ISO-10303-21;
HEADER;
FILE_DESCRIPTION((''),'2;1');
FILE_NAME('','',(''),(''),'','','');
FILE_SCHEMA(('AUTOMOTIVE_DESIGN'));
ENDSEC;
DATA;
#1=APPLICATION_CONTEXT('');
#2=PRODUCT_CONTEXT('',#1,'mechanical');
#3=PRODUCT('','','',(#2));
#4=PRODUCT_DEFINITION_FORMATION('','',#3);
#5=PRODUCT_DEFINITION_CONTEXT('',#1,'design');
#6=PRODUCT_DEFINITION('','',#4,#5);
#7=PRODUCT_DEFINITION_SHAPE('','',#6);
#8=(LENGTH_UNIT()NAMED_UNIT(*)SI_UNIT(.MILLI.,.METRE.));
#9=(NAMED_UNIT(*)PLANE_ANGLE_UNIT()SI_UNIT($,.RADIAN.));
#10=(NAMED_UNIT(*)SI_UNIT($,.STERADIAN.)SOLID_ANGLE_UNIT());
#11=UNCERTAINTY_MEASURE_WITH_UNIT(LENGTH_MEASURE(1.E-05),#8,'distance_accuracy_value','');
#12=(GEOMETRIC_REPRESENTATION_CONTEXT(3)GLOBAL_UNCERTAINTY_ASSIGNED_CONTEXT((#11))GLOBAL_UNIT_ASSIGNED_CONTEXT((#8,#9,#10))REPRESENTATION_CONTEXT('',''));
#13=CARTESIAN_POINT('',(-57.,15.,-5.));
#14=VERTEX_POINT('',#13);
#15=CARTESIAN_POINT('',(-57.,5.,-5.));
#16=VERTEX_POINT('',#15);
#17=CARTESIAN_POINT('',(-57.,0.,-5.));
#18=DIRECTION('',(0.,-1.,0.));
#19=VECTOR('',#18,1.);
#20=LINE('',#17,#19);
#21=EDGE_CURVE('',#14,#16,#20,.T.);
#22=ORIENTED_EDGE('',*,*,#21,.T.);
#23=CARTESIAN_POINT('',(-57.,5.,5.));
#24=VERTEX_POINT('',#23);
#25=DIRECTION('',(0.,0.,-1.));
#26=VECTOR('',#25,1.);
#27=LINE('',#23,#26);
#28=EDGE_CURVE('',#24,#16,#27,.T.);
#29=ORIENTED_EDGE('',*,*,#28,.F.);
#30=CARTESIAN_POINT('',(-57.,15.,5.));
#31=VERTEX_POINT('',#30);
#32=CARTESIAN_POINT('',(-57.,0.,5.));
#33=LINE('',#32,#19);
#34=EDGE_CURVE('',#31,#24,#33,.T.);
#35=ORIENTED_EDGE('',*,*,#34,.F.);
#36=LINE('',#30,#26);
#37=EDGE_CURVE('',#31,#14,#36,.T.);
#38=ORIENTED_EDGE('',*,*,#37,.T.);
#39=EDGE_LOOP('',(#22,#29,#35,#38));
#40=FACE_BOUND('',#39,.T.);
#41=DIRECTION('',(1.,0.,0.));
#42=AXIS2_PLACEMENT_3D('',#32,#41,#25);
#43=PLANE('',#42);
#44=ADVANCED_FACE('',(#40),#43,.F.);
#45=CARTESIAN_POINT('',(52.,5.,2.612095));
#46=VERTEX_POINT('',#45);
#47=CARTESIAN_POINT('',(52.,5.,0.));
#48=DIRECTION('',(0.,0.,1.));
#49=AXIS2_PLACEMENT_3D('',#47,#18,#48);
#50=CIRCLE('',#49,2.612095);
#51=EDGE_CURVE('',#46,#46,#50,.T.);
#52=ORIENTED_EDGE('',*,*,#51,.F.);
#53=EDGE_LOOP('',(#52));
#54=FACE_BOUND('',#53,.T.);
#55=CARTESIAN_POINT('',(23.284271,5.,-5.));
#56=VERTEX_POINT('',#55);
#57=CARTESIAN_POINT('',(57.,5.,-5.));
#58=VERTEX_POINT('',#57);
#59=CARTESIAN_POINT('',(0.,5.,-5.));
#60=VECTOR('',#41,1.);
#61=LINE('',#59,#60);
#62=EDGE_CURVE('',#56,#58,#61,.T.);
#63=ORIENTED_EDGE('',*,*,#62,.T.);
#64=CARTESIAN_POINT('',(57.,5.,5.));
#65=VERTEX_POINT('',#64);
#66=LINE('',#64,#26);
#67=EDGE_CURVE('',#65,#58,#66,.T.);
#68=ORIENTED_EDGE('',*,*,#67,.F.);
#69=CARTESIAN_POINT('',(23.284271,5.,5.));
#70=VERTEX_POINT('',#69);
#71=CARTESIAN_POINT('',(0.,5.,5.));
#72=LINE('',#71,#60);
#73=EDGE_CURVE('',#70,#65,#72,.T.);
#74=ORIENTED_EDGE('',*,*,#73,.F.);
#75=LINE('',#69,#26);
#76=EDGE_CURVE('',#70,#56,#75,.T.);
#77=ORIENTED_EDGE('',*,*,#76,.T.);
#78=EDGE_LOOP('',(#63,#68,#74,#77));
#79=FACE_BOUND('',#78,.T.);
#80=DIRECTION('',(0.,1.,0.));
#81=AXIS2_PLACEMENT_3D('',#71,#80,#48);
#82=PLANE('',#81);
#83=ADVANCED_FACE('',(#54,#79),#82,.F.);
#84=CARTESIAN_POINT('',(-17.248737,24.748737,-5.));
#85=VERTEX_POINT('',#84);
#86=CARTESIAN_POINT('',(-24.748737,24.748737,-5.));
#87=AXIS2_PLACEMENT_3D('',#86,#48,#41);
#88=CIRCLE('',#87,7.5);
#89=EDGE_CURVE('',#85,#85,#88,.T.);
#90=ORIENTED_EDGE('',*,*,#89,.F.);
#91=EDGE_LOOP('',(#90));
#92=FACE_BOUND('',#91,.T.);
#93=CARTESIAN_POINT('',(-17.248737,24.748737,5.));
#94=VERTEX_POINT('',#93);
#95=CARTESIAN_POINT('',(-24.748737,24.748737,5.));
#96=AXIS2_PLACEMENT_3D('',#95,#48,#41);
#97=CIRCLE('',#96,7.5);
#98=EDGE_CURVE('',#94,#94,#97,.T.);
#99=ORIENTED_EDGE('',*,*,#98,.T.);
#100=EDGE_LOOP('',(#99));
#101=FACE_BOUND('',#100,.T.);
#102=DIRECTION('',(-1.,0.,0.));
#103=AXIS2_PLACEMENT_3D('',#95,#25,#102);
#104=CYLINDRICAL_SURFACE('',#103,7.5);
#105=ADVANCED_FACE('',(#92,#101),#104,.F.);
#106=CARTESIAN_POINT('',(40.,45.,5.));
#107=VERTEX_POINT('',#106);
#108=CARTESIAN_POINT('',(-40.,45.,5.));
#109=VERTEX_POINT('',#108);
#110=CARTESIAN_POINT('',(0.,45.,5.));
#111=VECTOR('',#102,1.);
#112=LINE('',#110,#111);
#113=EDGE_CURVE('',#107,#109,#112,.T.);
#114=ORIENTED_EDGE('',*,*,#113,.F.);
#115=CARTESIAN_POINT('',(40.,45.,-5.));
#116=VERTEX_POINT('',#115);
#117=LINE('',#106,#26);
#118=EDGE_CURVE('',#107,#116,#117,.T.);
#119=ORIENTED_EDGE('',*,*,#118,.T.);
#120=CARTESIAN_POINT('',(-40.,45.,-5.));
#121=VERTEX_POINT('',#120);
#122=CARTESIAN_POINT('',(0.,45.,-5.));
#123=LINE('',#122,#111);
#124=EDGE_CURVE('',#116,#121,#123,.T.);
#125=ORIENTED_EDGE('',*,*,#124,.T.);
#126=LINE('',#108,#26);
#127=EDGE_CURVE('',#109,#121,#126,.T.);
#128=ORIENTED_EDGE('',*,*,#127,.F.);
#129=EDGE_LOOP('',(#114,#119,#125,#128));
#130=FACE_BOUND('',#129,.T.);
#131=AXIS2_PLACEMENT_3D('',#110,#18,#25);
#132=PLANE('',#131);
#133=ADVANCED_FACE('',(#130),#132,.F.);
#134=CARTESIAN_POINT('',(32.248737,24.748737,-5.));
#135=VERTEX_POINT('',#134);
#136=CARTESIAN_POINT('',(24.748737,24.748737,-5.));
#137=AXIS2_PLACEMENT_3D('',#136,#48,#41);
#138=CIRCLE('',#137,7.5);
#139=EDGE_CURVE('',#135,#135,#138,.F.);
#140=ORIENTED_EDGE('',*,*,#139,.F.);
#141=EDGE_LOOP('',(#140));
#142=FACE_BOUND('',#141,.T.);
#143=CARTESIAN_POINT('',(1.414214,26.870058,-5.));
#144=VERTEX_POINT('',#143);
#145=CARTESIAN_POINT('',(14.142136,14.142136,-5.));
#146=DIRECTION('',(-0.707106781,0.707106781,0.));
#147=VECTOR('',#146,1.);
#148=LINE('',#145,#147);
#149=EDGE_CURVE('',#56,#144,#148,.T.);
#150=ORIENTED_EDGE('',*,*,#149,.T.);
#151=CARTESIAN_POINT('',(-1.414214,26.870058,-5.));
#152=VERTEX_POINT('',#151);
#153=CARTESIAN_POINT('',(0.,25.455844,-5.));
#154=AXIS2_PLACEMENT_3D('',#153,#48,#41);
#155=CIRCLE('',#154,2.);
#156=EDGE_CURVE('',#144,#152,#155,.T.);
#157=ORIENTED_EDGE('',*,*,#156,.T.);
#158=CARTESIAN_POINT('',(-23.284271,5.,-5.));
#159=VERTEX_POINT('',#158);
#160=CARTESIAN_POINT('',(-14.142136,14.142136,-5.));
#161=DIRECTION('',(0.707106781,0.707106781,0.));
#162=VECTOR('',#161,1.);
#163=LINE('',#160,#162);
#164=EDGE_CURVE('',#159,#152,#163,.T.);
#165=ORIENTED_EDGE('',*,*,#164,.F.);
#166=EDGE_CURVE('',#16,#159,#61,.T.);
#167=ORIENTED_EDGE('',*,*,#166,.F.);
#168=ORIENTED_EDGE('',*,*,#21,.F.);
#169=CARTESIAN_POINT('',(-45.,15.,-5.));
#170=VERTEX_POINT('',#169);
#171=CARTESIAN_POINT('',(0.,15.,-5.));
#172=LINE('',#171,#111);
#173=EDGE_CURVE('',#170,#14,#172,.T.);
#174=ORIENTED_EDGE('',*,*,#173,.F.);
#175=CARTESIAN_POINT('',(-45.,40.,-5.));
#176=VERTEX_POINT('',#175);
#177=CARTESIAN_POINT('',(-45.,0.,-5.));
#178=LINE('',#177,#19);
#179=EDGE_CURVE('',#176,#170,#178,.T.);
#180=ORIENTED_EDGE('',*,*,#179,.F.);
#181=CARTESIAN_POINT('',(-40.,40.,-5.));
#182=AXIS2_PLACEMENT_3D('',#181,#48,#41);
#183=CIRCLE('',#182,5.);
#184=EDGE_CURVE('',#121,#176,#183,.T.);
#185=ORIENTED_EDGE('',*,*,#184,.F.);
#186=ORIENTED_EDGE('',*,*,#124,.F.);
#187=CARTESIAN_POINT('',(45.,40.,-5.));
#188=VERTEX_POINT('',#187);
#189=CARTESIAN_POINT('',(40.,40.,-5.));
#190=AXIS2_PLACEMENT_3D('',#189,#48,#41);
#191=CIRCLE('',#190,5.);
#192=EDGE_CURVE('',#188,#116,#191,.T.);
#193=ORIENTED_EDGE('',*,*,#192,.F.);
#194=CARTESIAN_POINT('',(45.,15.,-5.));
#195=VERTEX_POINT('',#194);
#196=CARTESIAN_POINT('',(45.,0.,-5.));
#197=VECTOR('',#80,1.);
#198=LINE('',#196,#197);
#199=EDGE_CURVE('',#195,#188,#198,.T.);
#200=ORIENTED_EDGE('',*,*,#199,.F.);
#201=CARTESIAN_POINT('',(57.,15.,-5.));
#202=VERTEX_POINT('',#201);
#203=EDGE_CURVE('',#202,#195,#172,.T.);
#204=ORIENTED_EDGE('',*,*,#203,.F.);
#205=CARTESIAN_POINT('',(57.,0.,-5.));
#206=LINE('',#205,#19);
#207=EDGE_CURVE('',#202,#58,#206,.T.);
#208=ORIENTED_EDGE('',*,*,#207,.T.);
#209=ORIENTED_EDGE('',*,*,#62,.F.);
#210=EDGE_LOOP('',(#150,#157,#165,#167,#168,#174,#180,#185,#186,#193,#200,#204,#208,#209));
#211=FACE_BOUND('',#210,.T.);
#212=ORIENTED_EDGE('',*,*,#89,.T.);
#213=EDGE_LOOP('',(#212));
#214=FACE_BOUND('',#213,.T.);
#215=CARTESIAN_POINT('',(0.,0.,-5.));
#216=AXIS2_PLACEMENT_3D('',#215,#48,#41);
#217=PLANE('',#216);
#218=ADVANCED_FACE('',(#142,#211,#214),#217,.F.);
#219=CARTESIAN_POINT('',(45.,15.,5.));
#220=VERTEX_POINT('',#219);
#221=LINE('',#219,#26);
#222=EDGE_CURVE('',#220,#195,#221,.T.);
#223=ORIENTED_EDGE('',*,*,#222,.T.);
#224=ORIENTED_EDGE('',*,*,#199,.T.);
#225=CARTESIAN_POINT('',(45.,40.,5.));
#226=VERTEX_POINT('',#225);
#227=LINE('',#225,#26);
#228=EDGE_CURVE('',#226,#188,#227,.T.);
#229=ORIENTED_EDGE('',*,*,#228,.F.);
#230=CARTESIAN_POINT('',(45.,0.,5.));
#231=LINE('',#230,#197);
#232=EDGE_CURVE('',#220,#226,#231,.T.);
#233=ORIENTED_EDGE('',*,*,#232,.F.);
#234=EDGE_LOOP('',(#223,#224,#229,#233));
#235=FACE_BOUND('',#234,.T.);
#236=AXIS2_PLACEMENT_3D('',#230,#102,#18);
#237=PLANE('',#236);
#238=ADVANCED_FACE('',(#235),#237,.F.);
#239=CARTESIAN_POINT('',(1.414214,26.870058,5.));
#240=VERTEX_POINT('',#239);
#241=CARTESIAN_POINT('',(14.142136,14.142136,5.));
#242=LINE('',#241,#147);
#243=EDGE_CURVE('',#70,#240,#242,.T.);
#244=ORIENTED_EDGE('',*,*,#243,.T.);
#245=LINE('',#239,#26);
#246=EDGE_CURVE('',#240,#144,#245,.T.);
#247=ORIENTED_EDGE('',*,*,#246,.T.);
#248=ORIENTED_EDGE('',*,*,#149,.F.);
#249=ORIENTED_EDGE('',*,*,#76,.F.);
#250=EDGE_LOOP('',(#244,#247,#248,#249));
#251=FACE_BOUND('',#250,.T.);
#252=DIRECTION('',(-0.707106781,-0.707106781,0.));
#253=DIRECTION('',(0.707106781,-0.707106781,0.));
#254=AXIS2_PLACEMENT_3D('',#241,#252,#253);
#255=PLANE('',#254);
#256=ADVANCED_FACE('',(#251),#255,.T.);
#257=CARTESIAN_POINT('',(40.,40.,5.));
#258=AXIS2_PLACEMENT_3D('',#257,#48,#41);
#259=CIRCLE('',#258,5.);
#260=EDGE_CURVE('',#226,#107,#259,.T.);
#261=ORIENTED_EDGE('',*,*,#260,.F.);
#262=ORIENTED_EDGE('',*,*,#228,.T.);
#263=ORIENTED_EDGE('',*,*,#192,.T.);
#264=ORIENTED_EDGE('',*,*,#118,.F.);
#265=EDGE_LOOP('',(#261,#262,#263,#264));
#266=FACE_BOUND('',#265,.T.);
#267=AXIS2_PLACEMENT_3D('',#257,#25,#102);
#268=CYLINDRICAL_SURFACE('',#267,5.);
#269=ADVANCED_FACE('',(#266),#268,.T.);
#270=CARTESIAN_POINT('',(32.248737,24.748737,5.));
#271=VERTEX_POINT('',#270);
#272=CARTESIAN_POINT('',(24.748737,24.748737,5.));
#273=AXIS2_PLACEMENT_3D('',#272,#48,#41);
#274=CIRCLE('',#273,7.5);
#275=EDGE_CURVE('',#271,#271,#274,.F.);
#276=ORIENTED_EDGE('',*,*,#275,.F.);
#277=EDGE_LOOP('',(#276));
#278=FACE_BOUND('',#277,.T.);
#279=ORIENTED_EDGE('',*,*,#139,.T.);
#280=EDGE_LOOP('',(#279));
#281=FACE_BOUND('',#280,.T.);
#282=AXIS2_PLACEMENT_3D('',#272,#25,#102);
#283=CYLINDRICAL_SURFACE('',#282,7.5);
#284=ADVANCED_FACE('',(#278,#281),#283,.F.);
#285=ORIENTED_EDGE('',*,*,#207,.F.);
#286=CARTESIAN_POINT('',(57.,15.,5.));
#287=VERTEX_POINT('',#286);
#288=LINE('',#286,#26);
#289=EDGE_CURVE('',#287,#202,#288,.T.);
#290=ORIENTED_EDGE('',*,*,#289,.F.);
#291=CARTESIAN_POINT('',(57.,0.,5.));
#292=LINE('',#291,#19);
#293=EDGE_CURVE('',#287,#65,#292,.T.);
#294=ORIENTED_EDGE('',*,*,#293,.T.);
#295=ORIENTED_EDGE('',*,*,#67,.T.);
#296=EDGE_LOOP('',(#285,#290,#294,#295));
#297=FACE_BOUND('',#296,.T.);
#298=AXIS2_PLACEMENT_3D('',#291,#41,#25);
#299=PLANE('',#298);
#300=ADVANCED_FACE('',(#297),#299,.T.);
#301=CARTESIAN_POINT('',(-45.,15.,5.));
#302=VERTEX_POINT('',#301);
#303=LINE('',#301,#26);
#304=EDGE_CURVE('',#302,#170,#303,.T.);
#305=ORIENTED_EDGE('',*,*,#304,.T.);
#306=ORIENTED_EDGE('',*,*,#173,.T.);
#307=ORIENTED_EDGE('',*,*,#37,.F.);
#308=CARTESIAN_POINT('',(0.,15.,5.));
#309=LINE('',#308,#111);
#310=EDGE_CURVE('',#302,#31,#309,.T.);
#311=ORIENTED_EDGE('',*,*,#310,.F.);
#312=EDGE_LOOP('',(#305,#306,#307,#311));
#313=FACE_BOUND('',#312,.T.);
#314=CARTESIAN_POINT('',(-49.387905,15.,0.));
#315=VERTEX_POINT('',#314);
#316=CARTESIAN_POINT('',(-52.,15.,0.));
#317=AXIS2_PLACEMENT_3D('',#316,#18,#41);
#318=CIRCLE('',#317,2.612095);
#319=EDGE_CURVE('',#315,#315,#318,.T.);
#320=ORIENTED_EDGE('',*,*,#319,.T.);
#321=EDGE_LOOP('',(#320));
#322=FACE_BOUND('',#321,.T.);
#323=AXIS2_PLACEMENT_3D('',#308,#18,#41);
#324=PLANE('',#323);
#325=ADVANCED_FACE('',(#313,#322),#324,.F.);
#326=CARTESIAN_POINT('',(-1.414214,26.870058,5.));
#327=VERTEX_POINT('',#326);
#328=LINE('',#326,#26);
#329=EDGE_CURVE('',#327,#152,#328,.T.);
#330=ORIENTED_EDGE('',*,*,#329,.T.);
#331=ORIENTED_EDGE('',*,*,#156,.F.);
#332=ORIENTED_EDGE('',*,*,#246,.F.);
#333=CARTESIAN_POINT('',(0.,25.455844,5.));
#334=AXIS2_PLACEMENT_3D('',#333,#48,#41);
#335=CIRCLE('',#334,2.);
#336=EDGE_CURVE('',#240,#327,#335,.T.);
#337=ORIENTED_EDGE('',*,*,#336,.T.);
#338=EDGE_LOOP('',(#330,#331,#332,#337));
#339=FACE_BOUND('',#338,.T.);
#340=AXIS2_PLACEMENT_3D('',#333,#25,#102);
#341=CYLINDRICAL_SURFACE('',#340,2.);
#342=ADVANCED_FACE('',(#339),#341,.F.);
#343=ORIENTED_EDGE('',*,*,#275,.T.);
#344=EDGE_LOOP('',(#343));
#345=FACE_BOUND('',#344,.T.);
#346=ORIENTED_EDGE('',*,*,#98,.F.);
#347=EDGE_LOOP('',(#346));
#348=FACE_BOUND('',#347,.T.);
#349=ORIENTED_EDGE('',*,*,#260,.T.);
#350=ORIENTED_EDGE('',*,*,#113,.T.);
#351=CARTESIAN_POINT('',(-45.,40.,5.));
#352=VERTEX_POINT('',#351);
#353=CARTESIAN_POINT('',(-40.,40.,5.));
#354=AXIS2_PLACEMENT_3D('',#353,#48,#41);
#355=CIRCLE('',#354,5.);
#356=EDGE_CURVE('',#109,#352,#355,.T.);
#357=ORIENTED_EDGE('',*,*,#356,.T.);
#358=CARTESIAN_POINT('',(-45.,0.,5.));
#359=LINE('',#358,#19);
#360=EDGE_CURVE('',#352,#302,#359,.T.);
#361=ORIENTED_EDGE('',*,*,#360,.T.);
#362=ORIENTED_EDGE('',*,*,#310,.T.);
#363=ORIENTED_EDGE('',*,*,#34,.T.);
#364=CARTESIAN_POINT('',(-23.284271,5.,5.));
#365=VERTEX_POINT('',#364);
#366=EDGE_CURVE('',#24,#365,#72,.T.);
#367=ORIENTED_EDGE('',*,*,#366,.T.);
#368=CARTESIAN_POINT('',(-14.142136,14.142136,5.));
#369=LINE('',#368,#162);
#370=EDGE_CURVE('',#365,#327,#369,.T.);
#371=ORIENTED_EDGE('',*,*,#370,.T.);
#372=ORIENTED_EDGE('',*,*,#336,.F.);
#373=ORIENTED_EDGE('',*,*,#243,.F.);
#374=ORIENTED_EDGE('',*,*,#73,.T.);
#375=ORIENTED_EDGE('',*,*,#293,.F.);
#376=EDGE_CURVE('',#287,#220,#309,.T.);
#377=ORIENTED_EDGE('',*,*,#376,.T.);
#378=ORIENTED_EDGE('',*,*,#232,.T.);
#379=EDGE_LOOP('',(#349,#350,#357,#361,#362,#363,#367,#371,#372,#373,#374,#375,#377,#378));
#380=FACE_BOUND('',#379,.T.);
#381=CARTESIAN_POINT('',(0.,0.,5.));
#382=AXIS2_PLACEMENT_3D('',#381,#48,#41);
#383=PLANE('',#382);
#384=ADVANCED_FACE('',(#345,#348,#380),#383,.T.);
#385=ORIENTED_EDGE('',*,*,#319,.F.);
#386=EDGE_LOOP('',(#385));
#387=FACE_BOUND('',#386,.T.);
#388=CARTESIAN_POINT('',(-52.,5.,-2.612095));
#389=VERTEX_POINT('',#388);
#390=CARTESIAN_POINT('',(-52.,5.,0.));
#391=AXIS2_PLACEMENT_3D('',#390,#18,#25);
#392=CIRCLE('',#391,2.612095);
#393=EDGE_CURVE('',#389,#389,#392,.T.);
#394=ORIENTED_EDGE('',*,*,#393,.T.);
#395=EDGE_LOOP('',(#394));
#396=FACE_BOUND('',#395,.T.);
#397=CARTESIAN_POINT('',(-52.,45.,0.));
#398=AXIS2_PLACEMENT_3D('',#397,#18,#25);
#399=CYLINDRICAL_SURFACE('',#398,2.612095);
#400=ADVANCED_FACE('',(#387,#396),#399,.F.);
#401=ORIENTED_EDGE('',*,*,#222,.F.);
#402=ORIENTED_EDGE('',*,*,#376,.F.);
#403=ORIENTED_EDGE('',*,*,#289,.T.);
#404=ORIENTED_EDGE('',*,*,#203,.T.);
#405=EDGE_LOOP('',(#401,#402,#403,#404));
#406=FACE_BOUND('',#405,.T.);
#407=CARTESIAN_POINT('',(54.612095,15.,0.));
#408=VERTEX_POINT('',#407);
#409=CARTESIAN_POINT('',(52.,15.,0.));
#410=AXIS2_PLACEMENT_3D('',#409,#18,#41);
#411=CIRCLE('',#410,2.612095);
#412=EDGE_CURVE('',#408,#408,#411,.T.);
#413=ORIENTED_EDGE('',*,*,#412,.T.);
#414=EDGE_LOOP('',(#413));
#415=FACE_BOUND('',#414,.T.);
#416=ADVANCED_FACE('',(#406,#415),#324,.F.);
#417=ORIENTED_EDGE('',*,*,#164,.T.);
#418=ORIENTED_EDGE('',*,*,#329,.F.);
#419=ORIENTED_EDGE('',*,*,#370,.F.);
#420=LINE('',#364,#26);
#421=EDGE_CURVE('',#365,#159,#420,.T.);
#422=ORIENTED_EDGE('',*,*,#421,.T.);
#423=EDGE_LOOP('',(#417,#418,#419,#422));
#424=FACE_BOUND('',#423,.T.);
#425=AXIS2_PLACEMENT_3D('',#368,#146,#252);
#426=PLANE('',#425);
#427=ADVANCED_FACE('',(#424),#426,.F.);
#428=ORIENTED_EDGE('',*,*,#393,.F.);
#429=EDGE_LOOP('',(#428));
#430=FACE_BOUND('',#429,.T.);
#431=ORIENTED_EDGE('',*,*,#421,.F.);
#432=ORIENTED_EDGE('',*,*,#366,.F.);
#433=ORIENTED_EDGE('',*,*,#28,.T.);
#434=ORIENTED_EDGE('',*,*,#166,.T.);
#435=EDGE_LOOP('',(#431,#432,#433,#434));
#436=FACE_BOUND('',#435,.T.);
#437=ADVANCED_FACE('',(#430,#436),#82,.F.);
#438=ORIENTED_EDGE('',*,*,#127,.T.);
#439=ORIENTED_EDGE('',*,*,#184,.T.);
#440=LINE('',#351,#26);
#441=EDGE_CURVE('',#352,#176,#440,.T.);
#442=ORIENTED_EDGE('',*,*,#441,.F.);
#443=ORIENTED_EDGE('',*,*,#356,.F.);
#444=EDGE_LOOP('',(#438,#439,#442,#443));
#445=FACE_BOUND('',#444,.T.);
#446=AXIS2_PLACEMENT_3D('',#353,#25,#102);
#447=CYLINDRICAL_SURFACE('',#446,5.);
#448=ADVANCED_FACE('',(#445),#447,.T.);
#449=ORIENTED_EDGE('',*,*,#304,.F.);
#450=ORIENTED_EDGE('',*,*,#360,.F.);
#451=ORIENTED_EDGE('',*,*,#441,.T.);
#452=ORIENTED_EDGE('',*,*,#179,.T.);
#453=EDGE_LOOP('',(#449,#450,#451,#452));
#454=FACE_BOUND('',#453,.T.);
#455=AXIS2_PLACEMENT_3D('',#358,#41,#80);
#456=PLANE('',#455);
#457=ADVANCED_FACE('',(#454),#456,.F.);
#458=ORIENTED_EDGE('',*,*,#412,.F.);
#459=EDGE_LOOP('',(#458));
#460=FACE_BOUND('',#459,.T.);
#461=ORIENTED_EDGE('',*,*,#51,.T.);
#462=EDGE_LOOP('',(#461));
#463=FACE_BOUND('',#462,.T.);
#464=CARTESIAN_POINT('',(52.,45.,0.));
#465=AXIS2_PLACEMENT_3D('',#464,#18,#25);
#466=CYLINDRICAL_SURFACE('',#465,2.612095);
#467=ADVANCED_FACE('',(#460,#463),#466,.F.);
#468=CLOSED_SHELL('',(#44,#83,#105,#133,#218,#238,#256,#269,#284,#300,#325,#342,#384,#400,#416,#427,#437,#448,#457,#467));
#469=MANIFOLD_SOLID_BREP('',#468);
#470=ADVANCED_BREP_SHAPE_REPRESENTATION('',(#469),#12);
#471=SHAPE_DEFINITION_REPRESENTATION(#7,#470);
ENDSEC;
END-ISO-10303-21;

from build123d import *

# Parameters (mm, degrees)
SKETCH_1_R          = 7.5
EXTRUDE_1_DEPTH     = 5
SKETCH_2_R          = 2.612095194
CUT_EXTRUDE_1_DEPTH = 41


with BuildPart() as part:
    # 草圖1 → 填料-伸長1 (new body, symmetric)
    with BuildSketch(Plane.XY):
        with BuildLine():
            Line((-57, 15), (-57, 5))
            Line((-57, 5), (-23.284271247, 5))
            Line((-23.284271247, 5), (-1.414213562, 26.870057685))
            ThreePointArc((-1.414213562, 26.870057685), (0, 27.455844123), (1.414213562, 26.870057685))
            Line((1.414213562, 26.870057685), (23.284271247, 5))
            Line((23.284271247, 5), (57, 5))
            Line((57, 5), (57, 15))
            Line((57, 15), (45, 15))
            Line((45, 15), (45, 40))
            ThreePointArc((45, 40), (43.535533906, 43.535533906), (40, 45))
            Line((40, 45), (-40, 45))
            ThreePointArc((-40, 45), (-43.535533906, 43.535533906), (-45, 40))
            Line((-45, 40), (-45, 15))
            Line((-45, 15), (-57, 15))
        make_face()
        with Locations((-24.748737342, 24.748737342)):
            Circle(SKETCH_1_R, mode=Mode.SUBTRACT)
        with Locations((24.748737342, 24.748737342)):
            Circle(SKETCH_1_R, mode=Mode.SUBTRACT)
    extrude(amount=EXTRUDE_1_DEPTH, both=True)

    # 草圖2 → 除料-伸長1 (cut, through all)
    with BuildSketch(Plane.XZ.offset(-5)):
        with Locations((-52, 0)):
            Circle(SKETCH_2_R)
        with Locations((52, 0)):
            Circle(SKETCH_2_R)
    extrude(amount=-CUT_EXTRUDE_1_DEPTH, mode=Mode.SUBTRACT)


solid = part.part
